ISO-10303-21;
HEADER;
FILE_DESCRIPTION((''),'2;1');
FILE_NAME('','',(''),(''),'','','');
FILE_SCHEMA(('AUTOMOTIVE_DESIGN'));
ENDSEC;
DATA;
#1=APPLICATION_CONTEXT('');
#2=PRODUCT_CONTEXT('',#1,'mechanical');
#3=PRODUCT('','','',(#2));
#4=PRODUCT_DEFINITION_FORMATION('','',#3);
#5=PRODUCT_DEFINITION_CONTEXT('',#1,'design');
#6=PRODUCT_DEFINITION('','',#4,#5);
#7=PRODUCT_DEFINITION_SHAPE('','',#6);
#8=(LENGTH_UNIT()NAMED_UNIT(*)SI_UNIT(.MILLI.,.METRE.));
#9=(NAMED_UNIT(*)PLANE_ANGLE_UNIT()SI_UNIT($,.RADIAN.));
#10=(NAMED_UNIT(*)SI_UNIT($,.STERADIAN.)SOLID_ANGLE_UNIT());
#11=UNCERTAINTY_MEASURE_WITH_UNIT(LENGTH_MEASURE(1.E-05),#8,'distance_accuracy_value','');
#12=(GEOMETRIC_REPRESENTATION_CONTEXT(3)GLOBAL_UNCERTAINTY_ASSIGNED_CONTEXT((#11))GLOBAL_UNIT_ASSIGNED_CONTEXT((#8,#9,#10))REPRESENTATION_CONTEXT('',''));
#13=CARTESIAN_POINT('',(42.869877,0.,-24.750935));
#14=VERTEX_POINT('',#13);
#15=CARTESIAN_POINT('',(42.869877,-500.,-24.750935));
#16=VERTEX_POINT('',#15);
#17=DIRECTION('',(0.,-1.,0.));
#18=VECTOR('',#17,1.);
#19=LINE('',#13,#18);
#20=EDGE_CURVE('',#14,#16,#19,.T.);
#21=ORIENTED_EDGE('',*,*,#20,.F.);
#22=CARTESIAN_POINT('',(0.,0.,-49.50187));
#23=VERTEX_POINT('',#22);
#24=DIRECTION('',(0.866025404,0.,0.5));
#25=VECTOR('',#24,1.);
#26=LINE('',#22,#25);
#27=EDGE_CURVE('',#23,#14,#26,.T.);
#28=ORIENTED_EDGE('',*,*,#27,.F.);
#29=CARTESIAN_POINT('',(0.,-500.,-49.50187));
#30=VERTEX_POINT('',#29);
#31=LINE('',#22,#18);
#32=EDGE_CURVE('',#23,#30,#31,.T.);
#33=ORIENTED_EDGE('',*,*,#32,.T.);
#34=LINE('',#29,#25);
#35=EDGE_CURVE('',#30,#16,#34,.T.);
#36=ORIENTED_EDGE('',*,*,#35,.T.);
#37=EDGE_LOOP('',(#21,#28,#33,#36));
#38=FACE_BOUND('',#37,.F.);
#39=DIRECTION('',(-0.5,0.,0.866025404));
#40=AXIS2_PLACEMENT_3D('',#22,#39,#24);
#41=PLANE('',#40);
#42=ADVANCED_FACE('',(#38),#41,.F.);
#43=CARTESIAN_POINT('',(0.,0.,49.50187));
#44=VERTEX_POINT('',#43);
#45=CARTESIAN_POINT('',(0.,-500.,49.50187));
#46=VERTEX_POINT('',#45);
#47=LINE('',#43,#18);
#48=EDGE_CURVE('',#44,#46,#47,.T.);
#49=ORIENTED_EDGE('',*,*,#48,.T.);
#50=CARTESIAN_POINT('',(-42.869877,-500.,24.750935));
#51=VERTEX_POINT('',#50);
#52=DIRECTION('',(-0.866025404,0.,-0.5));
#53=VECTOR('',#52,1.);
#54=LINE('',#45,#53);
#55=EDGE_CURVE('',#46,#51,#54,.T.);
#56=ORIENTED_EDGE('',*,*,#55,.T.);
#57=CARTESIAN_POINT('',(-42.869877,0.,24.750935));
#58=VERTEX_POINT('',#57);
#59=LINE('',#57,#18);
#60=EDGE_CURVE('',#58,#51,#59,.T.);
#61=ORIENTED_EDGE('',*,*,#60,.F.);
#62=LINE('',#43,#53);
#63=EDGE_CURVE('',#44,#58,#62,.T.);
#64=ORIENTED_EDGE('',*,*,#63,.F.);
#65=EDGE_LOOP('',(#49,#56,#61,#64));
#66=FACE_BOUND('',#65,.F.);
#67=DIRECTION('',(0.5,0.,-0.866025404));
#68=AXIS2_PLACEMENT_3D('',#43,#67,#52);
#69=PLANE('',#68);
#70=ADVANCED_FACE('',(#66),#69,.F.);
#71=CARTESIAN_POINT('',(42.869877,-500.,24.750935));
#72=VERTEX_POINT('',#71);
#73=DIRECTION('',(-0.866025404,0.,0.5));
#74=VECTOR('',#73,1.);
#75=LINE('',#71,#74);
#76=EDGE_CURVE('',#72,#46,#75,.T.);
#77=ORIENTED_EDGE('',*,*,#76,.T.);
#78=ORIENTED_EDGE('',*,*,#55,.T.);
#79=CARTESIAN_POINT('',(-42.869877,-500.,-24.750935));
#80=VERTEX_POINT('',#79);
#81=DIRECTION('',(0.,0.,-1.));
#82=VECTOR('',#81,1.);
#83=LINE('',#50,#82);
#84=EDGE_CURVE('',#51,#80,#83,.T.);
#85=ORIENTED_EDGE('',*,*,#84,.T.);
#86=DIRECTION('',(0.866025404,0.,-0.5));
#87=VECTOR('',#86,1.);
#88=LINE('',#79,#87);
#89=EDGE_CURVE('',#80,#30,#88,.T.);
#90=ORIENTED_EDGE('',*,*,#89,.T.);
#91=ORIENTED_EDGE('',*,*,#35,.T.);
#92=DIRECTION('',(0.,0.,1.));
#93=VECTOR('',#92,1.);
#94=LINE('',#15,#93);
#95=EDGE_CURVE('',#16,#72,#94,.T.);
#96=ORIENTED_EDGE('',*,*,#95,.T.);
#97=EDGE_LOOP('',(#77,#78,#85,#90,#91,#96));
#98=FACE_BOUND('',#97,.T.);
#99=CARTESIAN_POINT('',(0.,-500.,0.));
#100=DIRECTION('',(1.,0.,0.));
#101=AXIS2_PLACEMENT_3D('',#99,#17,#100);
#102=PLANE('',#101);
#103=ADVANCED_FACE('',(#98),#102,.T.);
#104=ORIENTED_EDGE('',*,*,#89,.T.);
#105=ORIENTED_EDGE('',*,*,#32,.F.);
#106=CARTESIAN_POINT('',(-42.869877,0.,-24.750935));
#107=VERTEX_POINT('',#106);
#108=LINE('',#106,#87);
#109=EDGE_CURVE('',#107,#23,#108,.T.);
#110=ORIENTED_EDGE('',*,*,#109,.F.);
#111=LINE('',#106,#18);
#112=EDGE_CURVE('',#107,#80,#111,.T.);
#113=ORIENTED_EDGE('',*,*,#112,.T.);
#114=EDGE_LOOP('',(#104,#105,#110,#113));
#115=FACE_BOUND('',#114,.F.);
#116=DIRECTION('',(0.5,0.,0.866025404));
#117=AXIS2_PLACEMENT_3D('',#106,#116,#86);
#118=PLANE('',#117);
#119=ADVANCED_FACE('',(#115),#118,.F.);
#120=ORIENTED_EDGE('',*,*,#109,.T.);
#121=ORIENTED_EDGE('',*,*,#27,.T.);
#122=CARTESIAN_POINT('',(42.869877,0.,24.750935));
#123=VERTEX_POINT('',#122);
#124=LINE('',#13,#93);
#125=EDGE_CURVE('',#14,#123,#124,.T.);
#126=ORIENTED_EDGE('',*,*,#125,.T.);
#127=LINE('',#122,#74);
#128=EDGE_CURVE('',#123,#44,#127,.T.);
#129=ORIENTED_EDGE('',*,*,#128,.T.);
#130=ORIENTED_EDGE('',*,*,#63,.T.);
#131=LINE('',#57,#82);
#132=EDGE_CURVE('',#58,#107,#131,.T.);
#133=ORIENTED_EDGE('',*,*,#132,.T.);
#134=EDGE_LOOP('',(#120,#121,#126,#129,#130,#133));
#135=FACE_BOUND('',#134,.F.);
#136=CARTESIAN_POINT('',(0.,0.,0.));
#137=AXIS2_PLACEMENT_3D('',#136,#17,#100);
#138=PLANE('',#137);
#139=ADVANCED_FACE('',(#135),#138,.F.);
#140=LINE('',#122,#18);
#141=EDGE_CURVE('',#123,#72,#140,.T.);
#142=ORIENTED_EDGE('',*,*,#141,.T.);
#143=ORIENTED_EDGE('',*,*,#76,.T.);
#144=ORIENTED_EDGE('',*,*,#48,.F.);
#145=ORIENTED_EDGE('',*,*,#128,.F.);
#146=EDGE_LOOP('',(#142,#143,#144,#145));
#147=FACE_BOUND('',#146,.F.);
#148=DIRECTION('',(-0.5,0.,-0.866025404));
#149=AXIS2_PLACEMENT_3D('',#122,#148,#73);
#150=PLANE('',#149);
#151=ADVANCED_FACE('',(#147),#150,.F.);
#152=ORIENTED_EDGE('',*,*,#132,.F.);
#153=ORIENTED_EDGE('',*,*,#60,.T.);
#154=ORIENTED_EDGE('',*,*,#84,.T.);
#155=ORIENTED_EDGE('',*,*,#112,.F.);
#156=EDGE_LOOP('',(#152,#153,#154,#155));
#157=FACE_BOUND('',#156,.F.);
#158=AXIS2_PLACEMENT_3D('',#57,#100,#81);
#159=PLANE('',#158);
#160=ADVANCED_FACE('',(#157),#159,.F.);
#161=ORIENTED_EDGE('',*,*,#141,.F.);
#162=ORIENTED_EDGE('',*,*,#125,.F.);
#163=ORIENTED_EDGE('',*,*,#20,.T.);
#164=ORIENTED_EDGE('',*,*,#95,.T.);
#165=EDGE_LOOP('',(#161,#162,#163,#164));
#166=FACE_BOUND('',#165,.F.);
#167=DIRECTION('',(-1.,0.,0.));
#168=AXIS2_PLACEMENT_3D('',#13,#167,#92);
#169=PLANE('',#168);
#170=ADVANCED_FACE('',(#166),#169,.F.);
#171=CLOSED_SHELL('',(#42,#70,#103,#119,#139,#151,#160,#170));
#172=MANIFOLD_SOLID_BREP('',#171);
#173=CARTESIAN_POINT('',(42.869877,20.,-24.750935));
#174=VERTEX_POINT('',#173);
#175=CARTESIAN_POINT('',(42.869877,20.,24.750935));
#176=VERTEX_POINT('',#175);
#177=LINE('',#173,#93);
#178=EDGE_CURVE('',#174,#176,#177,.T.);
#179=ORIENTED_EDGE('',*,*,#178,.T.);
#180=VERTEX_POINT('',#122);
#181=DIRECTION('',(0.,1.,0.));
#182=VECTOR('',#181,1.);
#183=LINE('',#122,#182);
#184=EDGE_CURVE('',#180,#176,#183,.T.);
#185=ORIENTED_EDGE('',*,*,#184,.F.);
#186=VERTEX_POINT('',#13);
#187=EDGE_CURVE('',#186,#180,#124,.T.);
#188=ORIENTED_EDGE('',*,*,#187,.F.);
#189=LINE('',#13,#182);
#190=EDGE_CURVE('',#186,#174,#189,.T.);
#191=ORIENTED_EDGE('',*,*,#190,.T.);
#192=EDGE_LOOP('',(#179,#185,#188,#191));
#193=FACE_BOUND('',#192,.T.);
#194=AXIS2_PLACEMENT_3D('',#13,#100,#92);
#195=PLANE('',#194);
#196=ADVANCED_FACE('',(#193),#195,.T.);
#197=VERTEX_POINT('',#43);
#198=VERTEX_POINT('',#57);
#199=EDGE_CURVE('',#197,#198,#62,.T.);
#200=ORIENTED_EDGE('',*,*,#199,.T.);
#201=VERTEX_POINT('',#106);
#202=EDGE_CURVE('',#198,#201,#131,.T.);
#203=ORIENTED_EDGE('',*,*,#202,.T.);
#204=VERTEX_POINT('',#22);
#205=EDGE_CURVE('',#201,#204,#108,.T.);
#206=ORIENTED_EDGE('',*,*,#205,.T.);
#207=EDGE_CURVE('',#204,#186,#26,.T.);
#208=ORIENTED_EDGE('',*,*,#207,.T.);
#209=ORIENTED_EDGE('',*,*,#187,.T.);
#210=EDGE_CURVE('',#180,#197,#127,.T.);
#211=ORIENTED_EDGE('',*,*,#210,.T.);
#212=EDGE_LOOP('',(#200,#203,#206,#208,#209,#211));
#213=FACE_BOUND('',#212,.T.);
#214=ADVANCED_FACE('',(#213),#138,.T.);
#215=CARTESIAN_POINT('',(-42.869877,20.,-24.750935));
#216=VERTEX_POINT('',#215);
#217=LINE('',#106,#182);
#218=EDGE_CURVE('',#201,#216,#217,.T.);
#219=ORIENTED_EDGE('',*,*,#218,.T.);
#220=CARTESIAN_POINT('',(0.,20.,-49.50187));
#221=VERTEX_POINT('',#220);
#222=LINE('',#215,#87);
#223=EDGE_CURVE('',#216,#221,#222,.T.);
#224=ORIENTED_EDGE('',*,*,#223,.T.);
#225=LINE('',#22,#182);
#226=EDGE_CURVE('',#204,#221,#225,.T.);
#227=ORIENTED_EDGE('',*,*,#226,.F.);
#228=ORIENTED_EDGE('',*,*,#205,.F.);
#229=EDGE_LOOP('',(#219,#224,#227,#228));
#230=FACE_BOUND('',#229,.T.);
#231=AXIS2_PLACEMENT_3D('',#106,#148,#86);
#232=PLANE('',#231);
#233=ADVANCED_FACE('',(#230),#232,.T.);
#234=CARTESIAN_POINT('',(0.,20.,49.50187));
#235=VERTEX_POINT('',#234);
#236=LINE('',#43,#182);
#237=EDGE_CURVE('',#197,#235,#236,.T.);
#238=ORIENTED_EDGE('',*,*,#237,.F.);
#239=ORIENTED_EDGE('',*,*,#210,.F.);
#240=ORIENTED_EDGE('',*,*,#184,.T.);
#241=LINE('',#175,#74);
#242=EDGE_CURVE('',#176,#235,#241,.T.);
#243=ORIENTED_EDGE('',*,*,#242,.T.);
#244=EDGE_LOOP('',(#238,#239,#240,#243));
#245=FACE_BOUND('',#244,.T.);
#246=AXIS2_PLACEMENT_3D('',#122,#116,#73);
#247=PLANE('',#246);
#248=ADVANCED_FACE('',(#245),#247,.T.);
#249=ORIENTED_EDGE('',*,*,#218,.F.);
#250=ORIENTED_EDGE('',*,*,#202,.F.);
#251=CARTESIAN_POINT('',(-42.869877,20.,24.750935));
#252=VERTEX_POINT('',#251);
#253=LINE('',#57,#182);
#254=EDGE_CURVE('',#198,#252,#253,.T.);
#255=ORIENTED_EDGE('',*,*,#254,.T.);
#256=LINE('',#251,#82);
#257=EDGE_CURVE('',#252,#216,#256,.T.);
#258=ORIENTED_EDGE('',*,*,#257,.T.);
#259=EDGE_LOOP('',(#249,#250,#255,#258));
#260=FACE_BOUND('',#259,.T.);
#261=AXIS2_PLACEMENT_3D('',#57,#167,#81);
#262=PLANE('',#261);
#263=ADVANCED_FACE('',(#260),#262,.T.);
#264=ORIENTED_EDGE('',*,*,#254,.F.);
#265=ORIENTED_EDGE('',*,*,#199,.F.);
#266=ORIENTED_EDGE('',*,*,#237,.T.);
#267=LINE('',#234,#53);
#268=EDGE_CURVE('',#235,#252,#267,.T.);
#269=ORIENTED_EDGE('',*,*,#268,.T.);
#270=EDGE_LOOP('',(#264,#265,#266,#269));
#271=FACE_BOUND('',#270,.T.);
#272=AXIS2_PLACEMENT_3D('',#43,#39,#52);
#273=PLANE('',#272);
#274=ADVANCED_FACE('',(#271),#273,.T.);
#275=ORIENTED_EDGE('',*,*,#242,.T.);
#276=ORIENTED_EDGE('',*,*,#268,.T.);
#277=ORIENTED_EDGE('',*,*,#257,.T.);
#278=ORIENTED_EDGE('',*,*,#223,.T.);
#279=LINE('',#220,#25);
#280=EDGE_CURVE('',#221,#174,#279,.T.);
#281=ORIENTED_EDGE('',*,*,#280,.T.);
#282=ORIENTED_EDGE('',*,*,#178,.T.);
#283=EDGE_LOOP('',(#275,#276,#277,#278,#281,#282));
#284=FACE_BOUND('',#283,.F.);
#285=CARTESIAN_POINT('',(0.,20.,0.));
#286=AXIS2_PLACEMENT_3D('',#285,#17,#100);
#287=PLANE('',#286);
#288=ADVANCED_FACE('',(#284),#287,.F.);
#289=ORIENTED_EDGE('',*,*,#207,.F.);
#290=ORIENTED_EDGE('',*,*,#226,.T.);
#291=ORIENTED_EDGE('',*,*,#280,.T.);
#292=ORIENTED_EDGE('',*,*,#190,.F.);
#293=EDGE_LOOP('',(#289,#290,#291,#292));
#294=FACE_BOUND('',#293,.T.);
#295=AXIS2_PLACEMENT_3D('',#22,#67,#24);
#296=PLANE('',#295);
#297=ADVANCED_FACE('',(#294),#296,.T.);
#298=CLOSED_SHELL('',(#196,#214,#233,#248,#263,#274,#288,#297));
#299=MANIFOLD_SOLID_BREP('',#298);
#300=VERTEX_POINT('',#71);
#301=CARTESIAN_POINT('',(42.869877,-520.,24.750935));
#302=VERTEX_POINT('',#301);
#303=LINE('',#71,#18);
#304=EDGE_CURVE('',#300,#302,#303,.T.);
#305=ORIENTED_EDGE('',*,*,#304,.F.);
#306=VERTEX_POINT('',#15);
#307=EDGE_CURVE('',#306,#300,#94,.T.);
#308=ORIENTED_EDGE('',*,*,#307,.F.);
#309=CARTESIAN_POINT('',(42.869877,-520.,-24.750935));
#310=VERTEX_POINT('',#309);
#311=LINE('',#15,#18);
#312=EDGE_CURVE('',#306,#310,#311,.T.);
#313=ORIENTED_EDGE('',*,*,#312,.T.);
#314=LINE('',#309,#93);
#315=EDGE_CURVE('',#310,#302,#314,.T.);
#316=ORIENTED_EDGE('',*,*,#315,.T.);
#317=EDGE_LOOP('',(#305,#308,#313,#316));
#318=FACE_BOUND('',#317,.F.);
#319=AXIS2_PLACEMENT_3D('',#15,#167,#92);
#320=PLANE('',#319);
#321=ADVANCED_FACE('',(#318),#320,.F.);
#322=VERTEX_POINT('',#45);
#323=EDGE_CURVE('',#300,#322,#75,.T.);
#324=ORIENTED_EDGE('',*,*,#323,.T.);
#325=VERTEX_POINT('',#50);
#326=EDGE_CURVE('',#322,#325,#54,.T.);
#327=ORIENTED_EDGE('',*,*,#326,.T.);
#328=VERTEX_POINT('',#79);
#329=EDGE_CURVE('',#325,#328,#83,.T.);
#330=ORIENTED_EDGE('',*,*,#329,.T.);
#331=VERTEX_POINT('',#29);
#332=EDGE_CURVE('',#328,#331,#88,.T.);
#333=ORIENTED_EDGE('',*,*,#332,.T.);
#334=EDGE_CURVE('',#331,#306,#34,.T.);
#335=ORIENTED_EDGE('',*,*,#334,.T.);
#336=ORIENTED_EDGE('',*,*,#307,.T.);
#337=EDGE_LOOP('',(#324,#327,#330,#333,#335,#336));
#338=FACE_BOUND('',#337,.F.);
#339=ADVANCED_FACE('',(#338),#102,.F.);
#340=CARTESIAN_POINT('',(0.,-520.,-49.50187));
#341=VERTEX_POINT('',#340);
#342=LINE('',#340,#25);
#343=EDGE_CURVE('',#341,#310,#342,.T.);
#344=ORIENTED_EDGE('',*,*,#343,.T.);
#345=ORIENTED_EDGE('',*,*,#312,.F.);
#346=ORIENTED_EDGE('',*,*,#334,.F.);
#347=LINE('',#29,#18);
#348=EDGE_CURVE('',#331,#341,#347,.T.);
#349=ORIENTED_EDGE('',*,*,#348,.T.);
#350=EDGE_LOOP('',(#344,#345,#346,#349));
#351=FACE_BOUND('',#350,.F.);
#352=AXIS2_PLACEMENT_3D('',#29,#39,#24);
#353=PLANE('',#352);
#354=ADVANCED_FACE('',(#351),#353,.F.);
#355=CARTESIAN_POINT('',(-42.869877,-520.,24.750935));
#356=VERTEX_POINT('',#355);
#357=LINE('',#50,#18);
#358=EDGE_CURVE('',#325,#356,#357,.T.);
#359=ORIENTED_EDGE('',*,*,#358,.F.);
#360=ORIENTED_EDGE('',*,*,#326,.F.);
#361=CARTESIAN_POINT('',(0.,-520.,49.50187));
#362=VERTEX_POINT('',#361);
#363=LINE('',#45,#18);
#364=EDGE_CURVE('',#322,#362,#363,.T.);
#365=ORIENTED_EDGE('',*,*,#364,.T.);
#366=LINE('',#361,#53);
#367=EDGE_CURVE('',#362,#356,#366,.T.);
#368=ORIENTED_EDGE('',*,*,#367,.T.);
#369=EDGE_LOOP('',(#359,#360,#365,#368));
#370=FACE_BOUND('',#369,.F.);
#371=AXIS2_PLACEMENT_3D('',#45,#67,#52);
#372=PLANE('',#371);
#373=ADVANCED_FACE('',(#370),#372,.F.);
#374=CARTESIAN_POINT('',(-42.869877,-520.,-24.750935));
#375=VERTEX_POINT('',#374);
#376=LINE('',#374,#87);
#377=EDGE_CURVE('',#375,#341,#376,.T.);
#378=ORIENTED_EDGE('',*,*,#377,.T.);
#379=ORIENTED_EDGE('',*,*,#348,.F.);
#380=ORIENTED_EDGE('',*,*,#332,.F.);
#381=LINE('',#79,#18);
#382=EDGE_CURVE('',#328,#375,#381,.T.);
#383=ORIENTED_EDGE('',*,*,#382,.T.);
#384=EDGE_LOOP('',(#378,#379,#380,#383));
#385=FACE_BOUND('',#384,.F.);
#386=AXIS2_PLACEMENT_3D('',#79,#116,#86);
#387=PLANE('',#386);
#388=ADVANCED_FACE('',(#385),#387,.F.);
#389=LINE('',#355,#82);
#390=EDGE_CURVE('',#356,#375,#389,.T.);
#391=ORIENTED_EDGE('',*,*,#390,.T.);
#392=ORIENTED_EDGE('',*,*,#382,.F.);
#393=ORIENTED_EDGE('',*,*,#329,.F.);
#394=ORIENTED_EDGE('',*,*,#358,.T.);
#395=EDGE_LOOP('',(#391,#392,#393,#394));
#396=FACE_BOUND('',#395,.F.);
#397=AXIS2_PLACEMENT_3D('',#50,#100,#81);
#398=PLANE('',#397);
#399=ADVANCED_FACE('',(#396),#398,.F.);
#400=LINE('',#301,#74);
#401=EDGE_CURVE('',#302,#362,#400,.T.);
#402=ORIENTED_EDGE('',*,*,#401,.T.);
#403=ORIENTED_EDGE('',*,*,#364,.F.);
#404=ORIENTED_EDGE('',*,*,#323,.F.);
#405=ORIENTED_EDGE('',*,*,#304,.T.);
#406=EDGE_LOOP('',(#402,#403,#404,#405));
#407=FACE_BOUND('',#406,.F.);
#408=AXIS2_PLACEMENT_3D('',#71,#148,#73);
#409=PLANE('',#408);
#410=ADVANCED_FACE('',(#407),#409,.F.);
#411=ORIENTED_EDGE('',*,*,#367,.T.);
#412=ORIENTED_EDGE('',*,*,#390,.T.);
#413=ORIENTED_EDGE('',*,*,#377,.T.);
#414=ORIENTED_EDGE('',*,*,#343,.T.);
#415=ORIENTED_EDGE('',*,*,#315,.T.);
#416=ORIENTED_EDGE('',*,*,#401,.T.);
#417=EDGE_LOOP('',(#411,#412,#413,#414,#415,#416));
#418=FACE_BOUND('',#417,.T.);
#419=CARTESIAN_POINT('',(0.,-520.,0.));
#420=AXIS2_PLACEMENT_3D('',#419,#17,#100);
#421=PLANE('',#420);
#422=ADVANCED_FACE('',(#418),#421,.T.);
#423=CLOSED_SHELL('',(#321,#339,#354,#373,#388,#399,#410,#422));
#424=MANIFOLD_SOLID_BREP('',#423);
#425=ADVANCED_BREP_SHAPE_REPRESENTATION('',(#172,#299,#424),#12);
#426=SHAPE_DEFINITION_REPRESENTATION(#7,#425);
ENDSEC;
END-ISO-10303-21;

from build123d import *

# Parameters (mm, degrees)
F1_DEPTH = 500
F6_DEPTH = 20
F7_DEPTH = 20


with BuildPart() as f1:
    # F0 (on Front) → F1 (new body)
    with BuildSketch(Plane.XZ):
        Polygon((-42.8698770702, 24.7509350666), (-42.8698770702, -24.7509350666), (0, -49.5018701332), (42.8698770702, -24.7509350666), (42.8698770702, 24.7509350666), (0, 49.5018701332), align=None)
    extrude(amount=F1_DEPTH)


with BuildPart() as f6:
    # F6 (new): a face of the model
    f6_faces = [f1.part.faces().sort_by_distance(p)[0] for p in [
        (0, -500, 0),
    ]]
    extrude(f6_faces, amount=F6_DEPTH)


with BuildPart() as f7:
    # F7 (new): a face of the model
    f7_faces = [f1.part.faces().sort_by_distance(p)[0] for p in [
        (0, 0, 0),
    ]]
    extrude(f7_faces, amount=F7_DEPTH)


solid = Compound([f1.part, f6.part, f7.part])
